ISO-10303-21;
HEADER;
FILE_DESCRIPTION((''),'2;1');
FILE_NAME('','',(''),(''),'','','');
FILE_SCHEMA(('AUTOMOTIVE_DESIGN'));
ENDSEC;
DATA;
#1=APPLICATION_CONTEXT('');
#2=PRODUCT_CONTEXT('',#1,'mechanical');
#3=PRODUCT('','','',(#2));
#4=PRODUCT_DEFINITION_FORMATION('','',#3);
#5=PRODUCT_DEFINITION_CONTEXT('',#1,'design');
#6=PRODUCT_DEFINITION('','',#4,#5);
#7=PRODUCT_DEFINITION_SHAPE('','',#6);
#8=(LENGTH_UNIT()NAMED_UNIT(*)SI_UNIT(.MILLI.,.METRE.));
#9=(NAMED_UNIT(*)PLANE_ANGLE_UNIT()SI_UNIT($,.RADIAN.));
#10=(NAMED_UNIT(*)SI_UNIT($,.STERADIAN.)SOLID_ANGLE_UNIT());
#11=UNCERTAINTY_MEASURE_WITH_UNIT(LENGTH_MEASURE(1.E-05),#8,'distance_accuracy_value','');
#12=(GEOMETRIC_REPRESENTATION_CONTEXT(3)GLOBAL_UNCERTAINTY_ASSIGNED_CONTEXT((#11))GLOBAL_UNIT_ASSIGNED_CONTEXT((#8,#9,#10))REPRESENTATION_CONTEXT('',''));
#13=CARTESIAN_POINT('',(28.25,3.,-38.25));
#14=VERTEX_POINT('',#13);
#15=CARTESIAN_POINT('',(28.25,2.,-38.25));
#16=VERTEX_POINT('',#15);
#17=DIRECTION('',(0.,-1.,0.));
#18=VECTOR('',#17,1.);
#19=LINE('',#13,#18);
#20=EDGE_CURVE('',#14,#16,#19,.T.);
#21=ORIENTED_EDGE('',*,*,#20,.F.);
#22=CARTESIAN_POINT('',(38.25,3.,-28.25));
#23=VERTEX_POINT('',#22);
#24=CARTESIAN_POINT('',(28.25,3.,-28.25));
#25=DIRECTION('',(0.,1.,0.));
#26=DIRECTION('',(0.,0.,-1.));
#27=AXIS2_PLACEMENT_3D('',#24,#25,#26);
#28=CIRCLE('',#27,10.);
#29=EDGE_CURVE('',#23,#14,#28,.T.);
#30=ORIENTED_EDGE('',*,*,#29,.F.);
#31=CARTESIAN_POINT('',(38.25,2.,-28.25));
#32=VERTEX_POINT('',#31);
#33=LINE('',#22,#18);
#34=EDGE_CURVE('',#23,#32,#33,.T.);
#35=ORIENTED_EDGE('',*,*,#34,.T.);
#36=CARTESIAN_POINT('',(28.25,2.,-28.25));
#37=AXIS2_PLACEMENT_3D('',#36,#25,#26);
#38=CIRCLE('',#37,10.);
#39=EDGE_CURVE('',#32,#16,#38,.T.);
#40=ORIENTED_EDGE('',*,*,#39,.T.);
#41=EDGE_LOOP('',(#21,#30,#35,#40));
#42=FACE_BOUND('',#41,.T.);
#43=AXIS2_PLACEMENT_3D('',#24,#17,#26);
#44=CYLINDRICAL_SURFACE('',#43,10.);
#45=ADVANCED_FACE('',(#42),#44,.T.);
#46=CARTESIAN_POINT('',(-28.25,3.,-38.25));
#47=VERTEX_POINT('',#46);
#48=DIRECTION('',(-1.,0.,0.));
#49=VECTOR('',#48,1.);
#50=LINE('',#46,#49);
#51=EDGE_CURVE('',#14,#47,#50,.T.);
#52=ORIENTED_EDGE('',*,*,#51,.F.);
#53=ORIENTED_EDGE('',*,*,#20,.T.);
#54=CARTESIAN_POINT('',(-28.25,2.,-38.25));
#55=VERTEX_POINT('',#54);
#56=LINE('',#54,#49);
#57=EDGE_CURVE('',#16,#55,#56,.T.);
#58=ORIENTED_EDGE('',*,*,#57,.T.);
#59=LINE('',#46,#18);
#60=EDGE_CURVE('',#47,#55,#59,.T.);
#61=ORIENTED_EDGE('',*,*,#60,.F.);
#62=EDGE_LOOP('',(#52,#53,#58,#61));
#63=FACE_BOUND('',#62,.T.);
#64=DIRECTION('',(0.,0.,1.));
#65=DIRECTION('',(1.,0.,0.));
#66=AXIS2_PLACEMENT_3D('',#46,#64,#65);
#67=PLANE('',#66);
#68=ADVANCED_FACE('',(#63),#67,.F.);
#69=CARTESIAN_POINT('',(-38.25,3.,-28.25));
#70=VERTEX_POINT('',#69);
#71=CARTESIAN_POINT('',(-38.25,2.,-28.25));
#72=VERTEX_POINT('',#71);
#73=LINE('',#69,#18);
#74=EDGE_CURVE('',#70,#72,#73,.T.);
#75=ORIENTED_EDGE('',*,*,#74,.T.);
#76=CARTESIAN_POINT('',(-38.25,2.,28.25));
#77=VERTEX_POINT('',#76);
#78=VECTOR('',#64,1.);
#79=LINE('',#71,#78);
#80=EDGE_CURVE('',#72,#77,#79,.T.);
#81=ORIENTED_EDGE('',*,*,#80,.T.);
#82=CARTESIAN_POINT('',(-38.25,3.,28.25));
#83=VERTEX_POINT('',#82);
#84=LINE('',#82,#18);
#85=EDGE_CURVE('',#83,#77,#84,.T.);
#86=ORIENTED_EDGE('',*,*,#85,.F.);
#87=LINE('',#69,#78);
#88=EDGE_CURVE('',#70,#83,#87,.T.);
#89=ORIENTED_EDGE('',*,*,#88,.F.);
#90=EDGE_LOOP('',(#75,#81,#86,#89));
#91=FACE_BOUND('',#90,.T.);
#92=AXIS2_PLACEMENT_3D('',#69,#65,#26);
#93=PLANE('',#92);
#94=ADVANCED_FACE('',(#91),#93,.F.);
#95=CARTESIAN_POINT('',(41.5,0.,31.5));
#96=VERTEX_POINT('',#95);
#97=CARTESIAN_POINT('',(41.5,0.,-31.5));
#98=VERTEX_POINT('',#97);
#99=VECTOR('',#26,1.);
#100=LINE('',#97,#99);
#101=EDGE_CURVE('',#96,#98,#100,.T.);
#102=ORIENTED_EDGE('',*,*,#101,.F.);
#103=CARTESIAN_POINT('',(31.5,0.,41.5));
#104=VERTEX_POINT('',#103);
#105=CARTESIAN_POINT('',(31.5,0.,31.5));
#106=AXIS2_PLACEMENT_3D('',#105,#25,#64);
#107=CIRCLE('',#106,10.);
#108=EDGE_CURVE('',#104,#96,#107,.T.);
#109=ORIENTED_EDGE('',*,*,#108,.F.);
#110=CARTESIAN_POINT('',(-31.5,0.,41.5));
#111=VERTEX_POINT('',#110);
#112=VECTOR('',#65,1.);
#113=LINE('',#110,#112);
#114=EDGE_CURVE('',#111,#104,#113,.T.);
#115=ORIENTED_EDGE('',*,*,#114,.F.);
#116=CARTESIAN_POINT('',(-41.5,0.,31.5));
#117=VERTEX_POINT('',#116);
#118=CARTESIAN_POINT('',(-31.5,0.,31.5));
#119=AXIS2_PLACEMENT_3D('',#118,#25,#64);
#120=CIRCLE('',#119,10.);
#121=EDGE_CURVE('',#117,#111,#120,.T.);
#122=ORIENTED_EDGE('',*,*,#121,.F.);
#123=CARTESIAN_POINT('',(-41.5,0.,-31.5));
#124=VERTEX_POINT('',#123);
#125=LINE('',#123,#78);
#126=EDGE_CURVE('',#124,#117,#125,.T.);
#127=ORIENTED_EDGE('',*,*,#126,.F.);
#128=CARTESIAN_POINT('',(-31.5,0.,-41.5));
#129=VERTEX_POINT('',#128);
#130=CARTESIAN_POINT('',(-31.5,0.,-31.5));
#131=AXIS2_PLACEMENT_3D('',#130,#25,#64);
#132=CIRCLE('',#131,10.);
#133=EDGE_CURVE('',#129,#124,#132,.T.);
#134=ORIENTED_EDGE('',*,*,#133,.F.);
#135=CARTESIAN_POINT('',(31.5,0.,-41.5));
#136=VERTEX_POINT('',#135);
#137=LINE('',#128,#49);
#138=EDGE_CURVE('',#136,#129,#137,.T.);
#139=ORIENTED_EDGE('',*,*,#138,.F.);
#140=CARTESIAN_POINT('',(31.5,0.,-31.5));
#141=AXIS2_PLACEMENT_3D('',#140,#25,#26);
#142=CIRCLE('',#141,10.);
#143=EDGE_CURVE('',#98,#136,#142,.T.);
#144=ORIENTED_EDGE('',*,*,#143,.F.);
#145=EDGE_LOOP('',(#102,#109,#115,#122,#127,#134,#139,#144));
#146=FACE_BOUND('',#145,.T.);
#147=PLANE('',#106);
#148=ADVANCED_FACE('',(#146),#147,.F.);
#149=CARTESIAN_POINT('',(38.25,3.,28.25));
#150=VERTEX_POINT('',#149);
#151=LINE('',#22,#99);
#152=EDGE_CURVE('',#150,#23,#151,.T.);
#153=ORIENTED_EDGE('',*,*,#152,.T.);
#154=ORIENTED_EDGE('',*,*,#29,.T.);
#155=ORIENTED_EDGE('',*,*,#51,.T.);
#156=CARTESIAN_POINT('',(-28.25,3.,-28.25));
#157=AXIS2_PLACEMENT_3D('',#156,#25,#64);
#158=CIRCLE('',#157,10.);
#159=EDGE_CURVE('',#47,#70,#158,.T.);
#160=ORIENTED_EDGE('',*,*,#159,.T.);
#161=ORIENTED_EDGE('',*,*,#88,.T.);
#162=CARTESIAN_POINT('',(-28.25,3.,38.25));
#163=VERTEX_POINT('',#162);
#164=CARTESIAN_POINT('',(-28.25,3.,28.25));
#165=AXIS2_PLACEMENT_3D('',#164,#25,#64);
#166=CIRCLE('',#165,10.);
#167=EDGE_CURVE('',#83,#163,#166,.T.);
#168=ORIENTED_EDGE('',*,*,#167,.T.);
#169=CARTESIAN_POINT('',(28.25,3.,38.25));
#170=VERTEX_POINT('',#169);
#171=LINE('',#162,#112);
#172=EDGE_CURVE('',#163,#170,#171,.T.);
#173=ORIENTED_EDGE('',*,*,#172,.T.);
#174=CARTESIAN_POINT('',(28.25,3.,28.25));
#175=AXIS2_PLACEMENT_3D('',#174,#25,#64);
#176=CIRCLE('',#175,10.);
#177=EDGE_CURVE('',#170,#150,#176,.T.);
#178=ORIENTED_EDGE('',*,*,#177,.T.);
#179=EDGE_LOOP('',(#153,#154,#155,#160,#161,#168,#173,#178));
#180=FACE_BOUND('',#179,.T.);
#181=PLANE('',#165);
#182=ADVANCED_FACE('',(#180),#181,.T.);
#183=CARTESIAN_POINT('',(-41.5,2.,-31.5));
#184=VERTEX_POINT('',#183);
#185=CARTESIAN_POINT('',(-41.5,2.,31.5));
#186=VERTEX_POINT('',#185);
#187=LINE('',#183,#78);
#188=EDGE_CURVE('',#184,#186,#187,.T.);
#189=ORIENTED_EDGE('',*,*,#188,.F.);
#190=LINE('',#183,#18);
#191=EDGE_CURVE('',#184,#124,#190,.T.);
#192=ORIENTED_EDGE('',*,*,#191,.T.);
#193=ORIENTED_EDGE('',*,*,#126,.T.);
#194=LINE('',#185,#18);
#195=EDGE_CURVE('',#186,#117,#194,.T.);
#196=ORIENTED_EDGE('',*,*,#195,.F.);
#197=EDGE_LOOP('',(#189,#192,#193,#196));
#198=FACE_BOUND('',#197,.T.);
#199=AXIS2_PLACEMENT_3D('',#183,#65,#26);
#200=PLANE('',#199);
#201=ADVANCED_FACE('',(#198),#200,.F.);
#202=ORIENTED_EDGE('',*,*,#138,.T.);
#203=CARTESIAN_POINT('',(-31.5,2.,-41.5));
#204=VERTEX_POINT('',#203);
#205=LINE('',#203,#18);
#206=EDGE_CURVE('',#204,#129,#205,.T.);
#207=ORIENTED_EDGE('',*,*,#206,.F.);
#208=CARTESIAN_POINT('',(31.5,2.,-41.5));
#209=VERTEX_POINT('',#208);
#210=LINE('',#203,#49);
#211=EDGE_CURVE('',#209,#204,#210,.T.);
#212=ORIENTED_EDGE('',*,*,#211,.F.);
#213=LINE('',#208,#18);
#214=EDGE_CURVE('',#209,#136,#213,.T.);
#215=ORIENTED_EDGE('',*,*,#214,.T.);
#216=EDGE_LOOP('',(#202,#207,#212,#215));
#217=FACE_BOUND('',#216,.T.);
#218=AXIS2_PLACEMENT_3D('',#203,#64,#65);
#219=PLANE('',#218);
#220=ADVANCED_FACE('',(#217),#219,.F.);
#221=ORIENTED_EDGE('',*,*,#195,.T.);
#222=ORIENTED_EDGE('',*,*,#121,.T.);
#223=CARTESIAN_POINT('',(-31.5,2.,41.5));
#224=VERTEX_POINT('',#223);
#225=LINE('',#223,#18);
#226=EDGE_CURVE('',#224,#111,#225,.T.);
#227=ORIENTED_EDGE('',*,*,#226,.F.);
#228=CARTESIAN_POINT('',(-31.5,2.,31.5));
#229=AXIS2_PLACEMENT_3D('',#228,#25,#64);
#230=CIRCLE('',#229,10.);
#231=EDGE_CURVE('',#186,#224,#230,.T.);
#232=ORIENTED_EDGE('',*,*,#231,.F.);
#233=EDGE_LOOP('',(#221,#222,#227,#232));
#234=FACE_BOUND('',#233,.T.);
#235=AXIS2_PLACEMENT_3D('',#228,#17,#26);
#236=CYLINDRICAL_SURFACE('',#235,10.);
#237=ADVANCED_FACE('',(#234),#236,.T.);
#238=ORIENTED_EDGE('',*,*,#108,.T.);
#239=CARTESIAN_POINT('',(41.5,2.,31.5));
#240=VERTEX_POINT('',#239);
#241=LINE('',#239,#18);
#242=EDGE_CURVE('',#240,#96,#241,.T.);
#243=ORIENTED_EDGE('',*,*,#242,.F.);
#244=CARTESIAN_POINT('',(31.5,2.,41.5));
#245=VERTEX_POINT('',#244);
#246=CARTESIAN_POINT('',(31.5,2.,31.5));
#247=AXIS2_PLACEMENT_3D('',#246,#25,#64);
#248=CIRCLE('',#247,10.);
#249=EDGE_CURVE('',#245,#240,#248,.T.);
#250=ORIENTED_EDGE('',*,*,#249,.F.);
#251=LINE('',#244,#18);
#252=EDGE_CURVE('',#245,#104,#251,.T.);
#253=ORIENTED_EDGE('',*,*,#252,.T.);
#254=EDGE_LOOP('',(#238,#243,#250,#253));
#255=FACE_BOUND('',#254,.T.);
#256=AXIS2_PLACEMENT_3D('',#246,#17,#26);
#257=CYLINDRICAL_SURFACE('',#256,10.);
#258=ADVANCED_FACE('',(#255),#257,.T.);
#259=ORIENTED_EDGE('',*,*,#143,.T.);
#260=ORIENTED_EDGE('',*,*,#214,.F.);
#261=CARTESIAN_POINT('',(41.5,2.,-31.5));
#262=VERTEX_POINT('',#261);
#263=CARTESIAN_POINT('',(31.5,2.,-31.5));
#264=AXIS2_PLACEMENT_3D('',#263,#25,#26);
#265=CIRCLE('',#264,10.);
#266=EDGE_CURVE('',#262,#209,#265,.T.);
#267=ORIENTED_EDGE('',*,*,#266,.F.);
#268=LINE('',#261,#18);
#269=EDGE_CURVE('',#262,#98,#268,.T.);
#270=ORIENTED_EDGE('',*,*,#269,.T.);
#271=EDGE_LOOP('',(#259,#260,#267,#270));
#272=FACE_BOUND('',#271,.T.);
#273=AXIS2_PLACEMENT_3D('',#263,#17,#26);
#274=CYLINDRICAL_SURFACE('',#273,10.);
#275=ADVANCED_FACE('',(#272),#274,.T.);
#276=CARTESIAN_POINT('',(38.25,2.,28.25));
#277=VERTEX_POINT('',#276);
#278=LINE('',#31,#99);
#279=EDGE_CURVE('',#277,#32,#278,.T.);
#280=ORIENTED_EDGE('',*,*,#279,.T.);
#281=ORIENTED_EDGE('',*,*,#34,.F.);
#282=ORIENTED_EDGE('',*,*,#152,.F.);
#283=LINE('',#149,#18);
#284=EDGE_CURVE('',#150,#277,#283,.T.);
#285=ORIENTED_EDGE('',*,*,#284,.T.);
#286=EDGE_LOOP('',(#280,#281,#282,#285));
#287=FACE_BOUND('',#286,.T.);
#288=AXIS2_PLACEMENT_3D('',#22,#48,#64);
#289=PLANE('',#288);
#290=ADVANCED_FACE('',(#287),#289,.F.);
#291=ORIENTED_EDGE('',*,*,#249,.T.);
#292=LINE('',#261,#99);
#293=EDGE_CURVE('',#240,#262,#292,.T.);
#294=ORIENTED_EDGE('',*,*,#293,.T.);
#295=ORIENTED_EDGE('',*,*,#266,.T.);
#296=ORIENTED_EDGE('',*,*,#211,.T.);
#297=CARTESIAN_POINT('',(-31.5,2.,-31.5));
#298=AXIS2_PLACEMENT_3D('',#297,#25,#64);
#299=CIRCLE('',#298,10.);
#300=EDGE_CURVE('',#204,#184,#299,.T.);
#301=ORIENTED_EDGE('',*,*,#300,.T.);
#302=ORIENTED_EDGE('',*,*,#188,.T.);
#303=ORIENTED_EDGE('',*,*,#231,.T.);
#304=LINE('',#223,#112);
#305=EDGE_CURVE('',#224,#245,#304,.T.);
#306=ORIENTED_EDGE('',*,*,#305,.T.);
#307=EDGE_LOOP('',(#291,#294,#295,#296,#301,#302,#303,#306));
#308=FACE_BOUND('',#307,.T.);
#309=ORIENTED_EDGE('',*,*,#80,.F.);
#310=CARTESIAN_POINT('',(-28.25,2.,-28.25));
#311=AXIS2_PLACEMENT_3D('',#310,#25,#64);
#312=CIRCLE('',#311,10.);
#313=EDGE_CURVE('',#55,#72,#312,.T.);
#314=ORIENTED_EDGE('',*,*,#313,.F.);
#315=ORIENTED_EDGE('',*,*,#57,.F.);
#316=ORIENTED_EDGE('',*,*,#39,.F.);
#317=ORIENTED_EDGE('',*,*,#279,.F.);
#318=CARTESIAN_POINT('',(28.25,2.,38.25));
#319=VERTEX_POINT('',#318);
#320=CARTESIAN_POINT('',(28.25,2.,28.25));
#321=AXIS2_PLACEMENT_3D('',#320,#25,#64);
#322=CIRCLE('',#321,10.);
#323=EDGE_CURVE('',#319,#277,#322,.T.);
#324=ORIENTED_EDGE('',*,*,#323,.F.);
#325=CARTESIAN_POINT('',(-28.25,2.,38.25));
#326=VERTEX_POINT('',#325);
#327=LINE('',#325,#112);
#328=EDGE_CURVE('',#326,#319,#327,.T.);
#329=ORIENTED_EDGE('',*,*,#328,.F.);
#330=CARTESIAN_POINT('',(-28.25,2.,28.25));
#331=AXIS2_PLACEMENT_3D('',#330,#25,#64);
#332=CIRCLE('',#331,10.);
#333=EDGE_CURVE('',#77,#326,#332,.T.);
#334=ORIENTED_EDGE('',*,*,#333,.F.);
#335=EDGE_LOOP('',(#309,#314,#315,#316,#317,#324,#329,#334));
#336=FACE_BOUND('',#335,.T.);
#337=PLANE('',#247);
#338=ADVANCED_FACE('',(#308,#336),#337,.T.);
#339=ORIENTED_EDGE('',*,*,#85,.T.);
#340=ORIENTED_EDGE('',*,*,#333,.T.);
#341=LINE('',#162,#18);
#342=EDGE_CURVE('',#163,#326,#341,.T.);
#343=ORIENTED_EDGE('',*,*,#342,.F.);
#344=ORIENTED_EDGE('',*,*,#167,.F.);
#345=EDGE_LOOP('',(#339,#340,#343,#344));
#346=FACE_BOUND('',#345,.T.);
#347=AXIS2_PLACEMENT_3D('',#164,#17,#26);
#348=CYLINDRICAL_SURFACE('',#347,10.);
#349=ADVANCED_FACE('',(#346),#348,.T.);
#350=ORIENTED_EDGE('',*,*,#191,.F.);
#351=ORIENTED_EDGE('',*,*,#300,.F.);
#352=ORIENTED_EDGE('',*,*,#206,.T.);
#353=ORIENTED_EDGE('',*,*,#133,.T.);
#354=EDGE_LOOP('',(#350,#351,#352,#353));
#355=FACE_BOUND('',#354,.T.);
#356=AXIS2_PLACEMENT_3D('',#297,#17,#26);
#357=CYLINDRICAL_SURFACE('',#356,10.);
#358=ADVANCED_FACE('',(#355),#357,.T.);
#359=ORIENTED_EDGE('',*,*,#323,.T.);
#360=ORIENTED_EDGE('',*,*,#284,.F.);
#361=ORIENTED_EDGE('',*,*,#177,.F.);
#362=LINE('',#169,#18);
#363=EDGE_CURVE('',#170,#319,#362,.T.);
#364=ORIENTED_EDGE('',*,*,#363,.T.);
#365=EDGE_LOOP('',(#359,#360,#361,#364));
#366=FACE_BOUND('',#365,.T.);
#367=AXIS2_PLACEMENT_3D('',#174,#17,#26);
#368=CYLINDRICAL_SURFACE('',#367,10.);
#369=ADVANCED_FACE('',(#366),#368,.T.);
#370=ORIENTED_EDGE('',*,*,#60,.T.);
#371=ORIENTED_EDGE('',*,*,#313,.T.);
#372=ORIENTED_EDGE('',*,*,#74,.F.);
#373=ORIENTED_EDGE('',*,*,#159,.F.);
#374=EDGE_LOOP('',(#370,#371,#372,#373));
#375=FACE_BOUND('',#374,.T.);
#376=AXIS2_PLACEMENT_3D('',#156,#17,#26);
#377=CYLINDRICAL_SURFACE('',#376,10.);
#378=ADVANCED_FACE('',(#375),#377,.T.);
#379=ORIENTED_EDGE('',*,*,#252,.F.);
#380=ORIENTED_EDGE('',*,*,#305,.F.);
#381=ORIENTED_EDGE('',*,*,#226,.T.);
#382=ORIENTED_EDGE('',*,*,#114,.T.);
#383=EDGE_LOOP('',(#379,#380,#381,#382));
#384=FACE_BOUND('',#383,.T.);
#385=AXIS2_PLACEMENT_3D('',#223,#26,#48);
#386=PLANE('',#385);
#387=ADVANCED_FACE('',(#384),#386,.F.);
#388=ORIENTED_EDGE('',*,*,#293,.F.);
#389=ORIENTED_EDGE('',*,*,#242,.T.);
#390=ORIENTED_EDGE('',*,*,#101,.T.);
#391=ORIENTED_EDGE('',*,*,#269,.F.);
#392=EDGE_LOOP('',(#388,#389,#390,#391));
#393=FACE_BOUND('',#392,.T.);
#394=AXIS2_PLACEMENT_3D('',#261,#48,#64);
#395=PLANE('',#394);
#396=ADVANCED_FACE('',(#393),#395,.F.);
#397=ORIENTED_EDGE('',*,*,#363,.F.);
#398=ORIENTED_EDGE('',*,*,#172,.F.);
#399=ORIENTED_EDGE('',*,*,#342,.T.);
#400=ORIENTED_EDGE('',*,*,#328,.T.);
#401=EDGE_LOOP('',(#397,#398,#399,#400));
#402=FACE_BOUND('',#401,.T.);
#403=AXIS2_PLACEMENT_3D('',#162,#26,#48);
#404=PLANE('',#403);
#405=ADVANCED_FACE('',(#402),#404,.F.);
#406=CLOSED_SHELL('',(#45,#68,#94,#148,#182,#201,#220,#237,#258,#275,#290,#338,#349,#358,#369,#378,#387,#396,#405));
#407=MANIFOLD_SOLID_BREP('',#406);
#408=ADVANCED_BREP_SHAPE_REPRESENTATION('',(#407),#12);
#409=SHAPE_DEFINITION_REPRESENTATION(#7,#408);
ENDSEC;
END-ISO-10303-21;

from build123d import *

# Parameters (mm, degrees)
BOSS_EXTRUDE1_DEPTH = 2
BOSS_EXTRUDE2_DEPTH = 1


with BuildPart() as part:
    # Sketch1 → Boss-Extrude1 (new body)
    with BuildSketch(Plane(origin=(0, 0, 0), x_dir=(1, 0, 0), z_dir=(0, 1, 0))):
        with BuildLine():
            Line((-31.5, 41.5), (31.5, 41.5))
            ThreePointArc((31.5, 41.5), (38.571067812, 38.571067812), (41.5, 31.5))
            Line((41.5, 31.5), (41.5, -31.5))
            ThreePointArc((41.5, -31.5), (38.571067812, -38.571067812), (31.5, -41.5))
            Line((31.5, -41.5), (-31.5, -41.5))
            ThreePointArc((-31.5, -41.5), (-38.571067812, -38.571067812), (-41.5, -31.5))
            Line((-41.5, -31.5), (-41.5, 31.5))
            ThreePointArc((-41.5, 31.5), (-38.571067812, 38.571067812), (-31.5, 41.5))
        make_face()
    extrude(amount=BOSS_EXTRUDE1_DEPTH)

    # Sketch2 → Boss-Extrude2 (add)
    with BuildSketch(Plane(origin=(0, 2, 0), x_dir=(1, 0, 0), z_dir=(0, 1, 0))):
        with BuildLine():
            Line((-28.25, 38.25), (28.25, 38.25))
            ThreePointArc((28.25, 38.25), (35.321067812, 35.321067812), (38.25, 28.25))
            Line((38.25, 28.25), (38.25, -28.25))
            ThreePointArc((38.25, -28.25), (35.321067812, -35.321067812), (28.25, -38.25))
            Line((28.25, -38.25), (-28.25, -38.25))
            ThreePointArc((-28.25, -38.25), (-35.321067812, -35.321067812), (-38.25, -28.25))
            Line((-38.25, -28.25), (-38.25, 28.25))
            ThreePointArc((-38.25, 28.25), (-35.321067812, 35.321067812), (-28.25, 38.25))
        make_face()
    extrude(amount=BOSS_EXTRUDE2_DEPTH)


solid = part.part
